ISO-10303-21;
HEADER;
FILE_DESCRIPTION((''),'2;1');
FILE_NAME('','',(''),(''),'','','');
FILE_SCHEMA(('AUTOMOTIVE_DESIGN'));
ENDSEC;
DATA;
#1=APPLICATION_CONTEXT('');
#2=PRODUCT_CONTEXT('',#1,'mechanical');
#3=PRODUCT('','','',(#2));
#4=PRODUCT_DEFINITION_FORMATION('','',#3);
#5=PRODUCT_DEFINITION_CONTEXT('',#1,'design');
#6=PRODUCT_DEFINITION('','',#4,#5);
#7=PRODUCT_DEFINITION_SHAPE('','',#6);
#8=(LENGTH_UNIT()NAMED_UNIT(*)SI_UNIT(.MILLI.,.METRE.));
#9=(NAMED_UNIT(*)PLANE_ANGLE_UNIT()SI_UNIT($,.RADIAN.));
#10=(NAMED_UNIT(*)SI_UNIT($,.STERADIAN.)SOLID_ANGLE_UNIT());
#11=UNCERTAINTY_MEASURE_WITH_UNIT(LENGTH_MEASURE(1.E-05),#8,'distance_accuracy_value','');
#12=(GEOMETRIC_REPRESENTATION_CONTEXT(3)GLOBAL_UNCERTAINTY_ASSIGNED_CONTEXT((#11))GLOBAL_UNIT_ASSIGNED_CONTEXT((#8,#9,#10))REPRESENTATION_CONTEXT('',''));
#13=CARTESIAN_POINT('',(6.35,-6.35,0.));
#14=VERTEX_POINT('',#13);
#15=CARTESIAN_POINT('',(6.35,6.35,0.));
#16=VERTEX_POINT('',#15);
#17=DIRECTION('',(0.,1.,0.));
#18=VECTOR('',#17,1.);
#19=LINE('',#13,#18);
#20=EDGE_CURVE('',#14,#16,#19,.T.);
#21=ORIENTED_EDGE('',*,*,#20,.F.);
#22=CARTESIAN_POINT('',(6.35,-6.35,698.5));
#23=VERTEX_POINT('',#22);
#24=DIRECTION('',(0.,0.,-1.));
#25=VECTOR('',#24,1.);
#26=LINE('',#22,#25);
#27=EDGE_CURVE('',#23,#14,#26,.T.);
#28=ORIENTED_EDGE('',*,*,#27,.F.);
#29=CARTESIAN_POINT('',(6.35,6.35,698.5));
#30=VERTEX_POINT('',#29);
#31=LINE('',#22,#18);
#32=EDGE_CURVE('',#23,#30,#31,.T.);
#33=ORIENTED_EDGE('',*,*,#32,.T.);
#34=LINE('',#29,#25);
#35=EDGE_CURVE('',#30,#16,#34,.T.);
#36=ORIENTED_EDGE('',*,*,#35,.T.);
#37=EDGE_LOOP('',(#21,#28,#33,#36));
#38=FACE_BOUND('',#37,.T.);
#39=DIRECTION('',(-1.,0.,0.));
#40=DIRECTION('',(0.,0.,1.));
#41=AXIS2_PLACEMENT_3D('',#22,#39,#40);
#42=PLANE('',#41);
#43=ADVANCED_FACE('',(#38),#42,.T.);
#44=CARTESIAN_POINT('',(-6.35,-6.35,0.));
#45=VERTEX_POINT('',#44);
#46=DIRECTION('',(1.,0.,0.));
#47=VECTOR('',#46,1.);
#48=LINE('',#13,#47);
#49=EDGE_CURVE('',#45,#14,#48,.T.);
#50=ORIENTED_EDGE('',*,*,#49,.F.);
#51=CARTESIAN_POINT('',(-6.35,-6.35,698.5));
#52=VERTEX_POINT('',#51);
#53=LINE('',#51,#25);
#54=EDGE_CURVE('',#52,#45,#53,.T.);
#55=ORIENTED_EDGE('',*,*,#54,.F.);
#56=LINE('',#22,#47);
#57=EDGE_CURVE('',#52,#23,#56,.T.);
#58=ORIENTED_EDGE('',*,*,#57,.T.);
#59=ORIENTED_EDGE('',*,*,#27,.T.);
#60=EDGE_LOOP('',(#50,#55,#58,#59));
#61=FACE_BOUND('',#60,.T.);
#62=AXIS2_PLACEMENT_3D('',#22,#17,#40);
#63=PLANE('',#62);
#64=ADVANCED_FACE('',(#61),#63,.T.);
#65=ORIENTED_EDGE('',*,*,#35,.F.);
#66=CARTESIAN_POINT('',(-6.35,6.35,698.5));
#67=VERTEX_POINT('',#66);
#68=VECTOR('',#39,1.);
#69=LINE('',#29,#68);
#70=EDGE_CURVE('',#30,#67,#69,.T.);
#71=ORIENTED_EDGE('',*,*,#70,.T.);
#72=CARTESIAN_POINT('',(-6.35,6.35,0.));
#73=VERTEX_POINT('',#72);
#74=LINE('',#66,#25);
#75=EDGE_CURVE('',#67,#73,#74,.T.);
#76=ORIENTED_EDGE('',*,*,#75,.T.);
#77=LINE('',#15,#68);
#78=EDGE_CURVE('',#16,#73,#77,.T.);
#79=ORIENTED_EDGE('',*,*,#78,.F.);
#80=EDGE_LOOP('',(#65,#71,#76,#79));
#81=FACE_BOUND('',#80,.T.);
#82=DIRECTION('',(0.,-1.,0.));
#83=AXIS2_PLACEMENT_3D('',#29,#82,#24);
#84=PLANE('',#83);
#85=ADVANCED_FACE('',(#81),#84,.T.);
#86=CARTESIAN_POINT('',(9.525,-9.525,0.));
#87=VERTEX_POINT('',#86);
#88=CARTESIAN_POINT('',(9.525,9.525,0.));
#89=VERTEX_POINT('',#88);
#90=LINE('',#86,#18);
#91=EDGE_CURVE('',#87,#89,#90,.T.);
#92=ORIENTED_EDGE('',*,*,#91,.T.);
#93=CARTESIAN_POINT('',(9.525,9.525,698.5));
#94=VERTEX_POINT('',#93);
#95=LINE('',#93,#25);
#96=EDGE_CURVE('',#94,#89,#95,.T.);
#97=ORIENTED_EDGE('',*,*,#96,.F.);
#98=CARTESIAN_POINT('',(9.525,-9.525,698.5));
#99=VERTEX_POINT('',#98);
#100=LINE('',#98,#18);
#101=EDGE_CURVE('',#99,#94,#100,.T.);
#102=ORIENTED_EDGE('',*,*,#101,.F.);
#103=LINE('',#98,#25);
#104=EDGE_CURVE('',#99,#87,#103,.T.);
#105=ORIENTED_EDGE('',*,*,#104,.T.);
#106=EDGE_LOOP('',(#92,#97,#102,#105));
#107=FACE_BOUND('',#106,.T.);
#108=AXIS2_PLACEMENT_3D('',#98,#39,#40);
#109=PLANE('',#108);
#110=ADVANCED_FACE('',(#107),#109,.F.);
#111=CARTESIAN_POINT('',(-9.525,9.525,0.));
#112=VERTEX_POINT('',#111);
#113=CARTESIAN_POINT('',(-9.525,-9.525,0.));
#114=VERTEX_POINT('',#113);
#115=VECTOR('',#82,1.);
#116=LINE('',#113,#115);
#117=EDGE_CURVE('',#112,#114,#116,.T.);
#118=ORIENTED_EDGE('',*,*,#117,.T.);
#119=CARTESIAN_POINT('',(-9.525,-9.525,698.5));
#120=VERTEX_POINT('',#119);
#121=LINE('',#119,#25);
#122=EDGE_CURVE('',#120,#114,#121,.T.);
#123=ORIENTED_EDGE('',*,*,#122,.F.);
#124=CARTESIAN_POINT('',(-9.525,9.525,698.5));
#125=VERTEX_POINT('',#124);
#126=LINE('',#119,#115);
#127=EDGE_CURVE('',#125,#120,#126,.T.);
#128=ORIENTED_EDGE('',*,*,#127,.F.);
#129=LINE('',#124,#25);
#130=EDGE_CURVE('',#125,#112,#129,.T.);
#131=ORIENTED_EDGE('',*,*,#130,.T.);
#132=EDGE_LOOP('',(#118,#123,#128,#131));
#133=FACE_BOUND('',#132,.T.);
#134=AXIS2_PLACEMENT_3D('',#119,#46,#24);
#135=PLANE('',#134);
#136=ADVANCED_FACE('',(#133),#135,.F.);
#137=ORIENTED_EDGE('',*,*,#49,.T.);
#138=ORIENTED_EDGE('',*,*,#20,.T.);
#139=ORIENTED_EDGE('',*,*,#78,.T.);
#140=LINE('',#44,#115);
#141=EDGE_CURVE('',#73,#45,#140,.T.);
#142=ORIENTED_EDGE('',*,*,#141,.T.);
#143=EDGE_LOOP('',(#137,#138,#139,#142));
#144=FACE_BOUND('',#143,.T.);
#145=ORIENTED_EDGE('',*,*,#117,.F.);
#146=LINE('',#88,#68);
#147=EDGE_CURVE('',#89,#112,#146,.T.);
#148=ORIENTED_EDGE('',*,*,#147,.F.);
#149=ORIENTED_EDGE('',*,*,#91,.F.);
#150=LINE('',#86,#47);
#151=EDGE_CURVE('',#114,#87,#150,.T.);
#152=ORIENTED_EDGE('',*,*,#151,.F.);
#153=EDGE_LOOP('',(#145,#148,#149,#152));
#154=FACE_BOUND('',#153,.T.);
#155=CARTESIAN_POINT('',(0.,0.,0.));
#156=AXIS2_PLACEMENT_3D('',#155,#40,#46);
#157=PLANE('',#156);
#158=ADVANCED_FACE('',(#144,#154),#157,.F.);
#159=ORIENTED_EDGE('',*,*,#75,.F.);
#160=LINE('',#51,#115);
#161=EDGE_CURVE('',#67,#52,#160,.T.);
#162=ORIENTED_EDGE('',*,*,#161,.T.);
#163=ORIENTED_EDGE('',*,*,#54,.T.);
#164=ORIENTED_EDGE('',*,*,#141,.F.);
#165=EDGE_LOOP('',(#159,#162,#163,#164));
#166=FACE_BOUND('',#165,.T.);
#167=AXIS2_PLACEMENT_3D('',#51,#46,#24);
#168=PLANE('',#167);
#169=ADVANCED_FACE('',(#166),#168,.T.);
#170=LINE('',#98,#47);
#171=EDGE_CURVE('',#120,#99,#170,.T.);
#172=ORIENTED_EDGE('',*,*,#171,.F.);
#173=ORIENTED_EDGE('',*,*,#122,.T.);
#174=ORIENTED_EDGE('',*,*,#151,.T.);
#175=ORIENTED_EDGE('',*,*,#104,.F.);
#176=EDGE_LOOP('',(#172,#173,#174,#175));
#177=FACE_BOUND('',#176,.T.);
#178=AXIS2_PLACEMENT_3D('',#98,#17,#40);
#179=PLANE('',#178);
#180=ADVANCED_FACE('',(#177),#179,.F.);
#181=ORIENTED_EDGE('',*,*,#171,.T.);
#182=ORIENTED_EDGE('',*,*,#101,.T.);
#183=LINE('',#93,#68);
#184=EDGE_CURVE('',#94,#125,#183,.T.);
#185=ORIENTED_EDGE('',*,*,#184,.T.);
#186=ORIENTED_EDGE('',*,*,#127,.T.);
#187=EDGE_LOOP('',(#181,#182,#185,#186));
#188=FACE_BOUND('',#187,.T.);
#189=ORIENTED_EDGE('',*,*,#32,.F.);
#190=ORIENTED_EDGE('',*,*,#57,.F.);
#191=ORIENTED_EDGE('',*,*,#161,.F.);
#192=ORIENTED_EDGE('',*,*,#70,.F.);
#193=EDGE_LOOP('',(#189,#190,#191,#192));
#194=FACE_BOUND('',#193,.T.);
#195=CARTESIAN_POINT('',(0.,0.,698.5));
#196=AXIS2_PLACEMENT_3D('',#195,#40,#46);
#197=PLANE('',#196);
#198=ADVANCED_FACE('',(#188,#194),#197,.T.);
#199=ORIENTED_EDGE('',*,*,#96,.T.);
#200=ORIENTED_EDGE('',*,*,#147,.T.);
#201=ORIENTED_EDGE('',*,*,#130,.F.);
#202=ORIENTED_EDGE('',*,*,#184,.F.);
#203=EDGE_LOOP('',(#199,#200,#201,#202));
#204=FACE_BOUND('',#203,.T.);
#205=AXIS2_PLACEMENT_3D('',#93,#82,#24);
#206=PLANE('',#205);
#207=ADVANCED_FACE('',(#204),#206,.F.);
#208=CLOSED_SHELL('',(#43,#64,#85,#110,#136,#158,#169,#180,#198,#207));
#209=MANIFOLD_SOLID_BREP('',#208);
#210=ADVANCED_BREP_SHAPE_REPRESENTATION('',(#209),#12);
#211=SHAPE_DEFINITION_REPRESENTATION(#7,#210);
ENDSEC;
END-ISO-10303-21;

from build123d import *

# Parameters (mm, degrees)
SKETCH1_W           = 19.05
SKETCH1_H           = 19.05
SKETCH1_W_2         = 12.7
SKETCH1_H_2         = 12.7
BOSS_EXTRUDE1_DEPTH = 698.5


with BuildPart() as part:
    # Sketch1 → Boss-Extrude1 (new body)
    with BuildSketch(Plane.XY):
        Rectangle(SKETCH1_W, SKETCH1_H)
        Rectangle(SKETCH1_W_2, SKETCH1_H_2, mode=Mode.SUBTRACT)
    extrude(amount=BOSS_EXTRUDE1_DEPTH)


solid = part.part
